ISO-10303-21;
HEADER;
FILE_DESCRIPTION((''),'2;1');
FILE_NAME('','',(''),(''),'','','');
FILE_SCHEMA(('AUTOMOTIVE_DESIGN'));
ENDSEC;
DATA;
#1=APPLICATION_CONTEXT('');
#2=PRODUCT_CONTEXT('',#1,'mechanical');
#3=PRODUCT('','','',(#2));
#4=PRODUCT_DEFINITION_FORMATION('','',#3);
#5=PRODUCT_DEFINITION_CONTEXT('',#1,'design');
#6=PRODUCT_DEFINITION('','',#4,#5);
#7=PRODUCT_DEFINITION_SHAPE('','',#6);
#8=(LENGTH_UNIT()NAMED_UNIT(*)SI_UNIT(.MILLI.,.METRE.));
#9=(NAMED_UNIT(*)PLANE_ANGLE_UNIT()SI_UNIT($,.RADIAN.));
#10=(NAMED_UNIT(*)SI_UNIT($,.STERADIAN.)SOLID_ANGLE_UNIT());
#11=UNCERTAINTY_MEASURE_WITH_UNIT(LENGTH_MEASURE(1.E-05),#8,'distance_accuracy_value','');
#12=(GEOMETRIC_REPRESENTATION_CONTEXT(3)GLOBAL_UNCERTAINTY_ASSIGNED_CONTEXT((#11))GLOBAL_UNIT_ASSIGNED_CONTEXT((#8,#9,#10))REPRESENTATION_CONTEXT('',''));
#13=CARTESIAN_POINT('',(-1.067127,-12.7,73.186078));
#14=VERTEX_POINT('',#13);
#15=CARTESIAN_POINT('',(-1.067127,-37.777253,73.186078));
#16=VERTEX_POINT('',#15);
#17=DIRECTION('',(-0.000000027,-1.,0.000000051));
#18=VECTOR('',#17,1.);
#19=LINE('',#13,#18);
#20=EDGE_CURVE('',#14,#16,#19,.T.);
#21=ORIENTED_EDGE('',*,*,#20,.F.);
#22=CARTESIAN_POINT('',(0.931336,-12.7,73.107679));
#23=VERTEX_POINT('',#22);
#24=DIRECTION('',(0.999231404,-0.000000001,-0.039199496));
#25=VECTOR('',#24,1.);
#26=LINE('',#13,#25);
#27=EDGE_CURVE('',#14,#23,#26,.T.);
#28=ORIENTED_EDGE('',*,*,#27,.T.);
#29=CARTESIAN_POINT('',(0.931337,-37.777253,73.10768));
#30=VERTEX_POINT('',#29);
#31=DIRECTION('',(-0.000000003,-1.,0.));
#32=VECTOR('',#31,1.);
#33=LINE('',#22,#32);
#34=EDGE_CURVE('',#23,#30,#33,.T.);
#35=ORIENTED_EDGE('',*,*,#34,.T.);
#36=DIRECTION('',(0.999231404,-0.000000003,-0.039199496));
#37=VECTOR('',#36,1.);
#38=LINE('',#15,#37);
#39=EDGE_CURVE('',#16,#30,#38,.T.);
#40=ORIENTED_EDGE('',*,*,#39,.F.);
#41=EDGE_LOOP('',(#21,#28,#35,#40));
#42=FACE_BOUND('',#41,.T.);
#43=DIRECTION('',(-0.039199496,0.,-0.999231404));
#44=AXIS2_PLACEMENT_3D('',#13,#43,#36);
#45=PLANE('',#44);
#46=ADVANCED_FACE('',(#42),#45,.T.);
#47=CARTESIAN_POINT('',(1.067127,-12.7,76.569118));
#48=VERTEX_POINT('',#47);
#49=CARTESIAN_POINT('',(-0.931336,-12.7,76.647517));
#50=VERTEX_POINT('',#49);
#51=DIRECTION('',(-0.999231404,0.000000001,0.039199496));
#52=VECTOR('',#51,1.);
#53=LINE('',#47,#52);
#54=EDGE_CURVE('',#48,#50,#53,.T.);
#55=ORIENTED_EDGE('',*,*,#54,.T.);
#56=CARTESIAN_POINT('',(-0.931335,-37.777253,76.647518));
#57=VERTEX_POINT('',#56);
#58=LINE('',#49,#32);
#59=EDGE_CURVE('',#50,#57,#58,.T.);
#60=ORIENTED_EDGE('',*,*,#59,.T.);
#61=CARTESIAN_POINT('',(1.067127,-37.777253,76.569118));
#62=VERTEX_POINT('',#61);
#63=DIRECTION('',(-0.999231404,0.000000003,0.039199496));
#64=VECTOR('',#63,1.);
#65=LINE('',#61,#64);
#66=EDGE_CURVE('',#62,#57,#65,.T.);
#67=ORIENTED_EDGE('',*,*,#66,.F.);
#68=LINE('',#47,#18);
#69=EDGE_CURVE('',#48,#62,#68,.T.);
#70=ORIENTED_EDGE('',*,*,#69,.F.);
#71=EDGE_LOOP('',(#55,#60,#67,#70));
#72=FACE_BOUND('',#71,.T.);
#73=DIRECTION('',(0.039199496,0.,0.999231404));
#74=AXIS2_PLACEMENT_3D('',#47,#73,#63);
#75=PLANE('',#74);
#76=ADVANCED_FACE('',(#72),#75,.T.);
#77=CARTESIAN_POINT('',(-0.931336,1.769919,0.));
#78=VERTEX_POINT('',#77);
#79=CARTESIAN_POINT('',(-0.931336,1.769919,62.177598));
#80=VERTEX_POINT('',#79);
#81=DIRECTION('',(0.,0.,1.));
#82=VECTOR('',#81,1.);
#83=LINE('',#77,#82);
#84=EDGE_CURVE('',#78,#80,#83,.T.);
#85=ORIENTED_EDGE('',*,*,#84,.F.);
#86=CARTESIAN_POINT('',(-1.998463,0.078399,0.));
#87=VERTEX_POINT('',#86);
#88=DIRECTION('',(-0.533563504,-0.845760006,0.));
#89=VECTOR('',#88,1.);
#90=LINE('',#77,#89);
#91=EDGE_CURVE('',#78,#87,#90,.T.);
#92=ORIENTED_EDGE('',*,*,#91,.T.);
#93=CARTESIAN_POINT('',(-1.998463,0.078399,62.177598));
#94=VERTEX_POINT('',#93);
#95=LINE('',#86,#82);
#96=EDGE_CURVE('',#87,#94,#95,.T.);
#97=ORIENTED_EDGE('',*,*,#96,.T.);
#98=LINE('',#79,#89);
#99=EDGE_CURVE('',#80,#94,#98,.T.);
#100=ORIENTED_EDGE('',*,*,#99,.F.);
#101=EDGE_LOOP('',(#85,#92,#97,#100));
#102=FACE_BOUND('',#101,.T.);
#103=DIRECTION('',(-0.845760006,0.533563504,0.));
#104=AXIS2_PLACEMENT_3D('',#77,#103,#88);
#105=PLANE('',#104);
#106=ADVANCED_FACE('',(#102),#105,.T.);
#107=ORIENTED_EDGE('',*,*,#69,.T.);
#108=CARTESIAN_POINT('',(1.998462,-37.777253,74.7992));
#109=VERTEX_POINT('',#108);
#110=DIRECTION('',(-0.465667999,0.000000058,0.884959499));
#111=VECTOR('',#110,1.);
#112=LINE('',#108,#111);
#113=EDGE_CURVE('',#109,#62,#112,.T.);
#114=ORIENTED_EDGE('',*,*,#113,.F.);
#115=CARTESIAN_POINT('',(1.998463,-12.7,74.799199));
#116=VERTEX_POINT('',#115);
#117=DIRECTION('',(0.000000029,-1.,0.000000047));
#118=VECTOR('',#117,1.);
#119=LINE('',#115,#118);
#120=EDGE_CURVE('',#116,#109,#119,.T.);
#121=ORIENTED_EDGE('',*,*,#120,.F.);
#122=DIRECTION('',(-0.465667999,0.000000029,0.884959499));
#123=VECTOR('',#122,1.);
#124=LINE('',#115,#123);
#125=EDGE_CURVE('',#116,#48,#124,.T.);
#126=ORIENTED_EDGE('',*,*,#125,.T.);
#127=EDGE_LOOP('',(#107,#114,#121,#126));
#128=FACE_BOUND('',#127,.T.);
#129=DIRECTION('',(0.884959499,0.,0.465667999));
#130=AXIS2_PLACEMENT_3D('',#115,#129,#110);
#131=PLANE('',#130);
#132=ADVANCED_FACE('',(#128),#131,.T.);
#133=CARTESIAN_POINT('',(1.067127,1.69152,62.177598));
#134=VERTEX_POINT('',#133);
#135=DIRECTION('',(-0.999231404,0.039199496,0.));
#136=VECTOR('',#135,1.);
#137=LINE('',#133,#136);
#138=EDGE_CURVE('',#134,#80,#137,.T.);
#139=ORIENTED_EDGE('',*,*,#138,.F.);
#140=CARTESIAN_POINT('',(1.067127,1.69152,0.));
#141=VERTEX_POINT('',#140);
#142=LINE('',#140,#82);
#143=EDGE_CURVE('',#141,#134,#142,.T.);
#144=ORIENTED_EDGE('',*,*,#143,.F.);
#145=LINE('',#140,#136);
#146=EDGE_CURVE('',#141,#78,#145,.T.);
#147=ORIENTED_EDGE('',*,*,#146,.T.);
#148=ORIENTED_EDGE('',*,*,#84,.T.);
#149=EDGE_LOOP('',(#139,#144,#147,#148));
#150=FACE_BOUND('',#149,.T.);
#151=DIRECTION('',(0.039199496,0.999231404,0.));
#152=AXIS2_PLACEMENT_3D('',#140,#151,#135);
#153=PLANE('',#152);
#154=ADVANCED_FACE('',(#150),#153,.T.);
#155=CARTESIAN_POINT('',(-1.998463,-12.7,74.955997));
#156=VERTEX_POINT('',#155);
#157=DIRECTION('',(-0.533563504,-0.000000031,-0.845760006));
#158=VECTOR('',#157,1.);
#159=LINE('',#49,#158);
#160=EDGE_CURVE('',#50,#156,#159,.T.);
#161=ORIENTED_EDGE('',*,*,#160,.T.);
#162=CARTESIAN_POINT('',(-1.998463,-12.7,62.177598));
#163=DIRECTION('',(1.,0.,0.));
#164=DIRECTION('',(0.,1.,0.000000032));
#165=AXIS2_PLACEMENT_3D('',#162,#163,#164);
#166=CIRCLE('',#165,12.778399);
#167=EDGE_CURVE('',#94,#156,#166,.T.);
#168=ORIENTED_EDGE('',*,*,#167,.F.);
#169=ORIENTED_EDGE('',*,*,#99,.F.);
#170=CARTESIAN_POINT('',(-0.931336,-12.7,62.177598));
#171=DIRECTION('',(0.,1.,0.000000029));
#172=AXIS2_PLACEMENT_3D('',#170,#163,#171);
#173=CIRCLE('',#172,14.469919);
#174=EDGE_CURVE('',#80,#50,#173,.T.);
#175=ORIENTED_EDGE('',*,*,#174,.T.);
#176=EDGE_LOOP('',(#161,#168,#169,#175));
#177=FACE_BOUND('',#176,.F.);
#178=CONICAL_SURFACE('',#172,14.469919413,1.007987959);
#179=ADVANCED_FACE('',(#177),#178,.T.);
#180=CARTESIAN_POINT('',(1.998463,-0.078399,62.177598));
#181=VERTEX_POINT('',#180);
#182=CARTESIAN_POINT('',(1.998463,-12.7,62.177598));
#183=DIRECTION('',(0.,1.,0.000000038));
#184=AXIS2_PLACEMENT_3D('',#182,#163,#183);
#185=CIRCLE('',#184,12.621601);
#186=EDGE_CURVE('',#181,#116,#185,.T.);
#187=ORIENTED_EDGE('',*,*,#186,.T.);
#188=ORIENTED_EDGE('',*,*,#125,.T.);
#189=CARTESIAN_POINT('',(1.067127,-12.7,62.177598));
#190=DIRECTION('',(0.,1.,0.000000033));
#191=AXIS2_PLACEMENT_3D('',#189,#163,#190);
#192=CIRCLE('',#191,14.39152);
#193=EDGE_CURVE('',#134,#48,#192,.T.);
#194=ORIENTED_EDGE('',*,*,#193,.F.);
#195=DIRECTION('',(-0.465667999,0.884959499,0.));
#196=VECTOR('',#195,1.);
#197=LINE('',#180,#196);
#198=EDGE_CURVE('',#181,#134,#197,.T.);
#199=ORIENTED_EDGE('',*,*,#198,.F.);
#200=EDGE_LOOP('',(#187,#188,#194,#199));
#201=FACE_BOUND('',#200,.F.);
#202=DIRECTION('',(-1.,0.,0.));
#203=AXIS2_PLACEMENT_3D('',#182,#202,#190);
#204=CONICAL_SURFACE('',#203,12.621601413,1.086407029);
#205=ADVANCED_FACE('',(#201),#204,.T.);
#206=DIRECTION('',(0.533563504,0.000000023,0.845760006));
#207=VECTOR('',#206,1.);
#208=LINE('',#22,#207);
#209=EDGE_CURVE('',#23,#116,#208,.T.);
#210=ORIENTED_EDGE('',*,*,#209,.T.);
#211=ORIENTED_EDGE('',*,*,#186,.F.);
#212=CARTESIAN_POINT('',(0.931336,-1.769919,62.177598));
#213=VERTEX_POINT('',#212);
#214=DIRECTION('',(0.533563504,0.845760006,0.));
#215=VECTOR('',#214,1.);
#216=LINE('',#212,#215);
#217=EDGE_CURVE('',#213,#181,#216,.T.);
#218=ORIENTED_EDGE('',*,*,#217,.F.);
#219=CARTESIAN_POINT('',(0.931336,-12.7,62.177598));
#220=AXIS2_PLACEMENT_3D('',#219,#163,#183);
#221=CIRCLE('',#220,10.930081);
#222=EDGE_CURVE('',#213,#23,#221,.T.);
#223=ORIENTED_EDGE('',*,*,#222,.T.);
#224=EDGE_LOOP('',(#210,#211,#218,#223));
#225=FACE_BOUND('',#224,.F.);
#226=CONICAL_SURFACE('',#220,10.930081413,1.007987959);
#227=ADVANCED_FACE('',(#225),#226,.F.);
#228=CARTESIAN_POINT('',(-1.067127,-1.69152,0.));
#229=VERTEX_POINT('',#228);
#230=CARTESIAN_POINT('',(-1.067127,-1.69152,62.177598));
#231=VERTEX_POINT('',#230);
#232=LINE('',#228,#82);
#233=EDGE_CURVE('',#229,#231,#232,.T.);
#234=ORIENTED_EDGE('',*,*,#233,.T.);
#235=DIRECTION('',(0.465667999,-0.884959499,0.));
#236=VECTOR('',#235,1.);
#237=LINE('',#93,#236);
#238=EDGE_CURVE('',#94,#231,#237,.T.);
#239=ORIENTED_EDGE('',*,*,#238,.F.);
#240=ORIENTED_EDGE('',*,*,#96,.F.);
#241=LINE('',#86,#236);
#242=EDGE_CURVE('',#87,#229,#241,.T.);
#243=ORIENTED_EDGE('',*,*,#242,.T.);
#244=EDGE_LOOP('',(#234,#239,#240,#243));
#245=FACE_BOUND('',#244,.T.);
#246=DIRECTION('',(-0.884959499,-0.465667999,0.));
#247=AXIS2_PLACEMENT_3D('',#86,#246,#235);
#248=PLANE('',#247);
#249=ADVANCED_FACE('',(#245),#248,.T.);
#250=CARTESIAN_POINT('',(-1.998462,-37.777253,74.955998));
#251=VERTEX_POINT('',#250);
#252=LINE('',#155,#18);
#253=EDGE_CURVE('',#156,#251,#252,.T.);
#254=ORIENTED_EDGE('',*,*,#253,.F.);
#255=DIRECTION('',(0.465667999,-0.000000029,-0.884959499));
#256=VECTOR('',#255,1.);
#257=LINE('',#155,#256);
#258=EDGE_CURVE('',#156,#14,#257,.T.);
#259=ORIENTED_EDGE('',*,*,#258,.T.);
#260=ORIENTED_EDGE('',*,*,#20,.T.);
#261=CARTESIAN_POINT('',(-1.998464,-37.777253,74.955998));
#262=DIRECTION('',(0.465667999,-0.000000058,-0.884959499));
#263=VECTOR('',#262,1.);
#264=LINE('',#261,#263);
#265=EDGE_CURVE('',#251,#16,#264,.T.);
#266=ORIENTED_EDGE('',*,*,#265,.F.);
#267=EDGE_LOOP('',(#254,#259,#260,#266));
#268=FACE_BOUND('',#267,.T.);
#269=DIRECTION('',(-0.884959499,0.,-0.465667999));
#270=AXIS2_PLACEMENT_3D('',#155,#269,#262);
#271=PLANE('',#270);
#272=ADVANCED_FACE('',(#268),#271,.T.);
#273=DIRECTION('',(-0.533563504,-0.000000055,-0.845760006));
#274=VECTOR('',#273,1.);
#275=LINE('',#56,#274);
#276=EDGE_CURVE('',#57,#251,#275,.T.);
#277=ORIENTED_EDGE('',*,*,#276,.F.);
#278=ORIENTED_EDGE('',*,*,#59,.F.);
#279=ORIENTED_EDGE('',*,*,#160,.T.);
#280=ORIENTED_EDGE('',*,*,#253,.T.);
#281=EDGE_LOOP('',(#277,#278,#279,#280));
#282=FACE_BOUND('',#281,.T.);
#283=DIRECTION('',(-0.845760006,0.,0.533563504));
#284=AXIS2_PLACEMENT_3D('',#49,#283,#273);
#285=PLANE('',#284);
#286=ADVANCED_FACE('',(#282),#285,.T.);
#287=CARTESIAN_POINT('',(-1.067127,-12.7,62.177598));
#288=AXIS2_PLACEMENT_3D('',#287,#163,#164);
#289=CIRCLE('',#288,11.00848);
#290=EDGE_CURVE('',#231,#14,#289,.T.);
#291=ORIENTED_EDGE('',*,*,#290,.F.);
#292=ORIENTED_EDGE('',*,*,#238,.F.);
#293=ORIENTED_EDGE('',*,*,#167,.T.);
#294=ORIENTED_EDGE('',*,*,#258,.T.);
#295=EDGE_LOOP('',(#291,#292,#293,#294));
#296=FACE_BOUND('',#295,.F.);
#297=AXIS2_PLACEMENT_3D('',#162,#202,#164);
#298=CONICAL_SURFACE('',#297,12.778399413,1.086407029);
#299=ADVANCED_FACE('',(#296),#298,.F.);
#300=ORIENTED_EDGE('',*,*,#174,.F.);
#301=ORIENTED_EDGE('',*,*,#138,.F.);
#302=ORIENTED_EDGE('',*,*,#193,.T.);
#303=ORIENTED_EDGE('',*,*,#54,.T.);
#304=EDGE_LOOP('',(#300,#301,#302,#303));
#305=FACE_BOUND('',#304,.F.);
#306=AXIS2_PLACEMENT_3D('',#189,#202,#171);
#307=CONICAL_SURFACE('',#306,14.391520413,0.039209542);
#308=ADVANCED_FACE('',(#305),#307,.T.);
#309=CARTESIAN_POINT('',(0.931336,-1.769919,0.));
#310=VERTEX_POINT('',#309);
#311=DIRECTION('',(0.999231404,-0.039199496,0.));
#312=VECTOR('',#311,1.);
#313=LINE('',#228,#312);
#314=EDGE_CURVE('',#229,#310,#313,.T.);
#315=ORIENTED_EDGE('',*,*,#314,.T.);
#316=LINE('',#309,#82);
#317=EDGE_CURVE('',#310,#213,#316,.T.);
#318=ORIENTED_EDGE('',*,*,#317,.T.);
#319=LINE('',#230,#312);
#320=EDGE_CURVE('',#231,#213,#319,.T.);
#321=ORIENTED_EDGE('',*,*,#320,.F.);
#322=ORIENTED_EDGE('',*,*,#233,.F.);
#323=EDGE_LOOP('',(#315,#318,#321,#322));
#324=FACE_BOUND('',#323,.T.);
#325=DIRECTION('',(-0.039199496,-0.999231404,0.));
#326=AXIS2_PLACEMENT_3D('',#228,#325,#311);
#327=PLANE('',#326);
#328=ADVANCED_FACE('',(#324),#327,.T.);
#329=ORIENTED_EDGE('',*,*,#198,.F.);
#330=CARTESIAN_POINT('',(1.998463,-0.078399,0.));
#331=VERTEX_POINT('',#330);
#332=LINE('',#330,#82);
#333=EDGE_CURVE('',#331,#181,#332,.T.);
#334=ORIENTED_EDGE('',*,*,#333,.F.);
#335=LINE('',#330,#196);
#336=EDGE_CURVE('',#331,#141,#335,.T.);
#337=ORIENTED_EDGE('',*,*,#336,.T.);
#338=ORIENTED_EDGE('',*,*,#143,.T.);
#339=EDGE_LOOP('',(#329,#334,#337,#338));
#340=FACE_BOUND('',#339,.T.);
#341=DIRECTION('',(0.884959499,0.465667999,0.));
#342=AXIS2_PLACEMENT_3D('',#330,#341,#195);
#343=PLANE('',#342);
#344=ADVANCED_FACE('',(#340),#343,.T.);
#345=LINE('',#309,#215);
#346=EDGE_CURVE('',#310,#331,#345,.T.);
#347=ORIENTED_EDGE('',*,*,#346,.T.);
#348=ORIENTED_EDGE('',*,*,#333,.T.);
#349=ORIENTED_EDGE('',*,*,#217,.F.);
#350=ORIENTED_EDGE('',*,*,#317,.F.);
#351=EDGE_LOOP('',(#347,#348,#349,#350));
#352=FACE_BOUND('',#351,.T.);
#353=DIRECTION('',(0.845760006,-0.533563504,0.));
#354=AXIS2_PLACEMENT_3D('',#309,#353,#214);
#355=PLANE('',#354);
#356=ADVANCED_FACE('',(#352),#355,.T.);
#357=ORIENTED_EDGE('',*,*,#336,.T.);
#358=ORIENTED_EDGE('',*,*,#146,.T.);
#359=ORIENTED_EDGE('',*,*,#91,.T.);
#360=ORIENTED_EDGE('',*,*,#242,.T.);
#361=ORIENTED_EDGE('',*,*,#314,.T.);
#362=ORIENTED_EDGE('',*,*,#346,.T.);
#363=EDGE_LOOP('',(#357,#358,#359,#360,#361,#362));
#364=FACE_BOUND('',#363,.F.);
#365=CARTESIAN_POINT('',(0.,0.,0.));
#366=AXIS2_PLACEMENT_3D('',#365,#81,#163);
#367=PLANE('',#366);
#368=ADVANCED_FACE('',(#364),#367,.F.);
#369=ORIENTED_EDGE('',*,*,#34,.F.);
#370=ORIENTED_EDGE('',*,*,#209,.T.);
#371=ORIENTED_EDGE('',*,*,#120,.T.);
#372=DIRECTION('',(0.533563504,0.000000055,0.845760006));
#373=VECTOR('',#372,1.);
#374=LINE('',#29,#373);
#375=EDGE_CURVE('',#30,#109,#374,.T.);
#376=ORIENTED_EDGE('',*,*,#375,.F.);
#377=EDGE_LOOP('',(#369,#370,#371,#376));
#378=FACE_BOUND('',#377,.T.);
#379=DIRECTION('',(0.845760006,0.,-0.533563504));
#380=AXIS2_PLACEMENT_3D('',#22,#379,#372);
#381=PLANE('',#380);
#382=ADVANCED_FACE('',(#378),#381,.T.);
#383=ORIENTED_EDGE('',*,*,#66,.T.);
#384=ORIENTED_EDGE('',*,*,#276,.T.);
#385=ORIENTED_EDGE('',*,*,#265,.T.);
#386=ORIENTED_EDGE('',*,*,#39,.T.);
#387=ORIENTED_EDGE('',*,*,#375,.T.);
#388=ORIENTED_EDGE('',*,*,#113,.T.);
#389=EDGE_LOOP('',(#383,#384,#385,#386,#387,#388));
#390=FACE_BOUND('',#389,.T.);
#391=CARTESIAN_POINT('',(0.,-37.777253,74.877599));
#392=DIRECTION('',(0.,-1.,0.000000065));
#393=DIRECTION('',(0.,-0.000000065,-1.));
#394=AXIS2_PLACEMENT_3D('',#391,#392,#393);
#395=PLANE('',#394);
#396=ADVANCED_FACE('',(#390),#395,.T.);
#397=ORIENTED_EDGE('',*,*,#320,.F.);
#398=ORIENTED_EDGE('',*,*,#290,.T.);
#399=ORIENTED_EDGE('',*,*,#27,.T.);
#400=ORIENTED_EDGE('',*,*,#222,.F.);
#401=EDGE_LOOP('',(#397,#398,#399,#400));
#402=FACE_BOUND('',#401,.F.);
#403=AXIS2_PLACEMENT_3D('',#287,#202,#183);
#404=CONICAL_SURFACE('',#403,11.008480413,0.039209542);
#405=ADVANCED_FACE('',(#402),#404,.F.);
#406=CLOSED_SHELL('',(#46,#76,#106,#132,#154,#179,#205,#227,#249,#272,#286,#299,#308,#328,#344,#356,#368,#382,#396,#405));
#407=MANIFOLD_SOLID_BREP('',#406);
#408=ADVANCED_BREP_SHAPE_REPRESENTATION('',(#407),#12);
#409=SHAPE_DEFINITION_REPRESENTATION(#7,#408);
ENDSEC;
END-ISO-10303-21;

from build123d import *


with BuildPart() as f2:
    # F2: sweep along a path in F1
    with BuildLine(Plane.YZ) as f2_path:
        Line((0, 0), (0, 62.177598))
        ThreePointArc((0, 62.177598), (-3.719744, 71.157854), (-12.7, 74.877598))
        Line((-12.7, 74.877598), (-37.777253, 74.877598))
    # F0 (on Top) → F2 (sweep)
    with BuildSketch(Plane.XY):
        Polygon((-1.998463, 0.078399), (-1.067127, -1.69152), (0.931336, -1.769919), (1.998463, -0.078399), (1.067127, 1.69152), (-0.931336, 1.769919), align=None)
    sweep(path=f2_path.line)


solid = f2.part
